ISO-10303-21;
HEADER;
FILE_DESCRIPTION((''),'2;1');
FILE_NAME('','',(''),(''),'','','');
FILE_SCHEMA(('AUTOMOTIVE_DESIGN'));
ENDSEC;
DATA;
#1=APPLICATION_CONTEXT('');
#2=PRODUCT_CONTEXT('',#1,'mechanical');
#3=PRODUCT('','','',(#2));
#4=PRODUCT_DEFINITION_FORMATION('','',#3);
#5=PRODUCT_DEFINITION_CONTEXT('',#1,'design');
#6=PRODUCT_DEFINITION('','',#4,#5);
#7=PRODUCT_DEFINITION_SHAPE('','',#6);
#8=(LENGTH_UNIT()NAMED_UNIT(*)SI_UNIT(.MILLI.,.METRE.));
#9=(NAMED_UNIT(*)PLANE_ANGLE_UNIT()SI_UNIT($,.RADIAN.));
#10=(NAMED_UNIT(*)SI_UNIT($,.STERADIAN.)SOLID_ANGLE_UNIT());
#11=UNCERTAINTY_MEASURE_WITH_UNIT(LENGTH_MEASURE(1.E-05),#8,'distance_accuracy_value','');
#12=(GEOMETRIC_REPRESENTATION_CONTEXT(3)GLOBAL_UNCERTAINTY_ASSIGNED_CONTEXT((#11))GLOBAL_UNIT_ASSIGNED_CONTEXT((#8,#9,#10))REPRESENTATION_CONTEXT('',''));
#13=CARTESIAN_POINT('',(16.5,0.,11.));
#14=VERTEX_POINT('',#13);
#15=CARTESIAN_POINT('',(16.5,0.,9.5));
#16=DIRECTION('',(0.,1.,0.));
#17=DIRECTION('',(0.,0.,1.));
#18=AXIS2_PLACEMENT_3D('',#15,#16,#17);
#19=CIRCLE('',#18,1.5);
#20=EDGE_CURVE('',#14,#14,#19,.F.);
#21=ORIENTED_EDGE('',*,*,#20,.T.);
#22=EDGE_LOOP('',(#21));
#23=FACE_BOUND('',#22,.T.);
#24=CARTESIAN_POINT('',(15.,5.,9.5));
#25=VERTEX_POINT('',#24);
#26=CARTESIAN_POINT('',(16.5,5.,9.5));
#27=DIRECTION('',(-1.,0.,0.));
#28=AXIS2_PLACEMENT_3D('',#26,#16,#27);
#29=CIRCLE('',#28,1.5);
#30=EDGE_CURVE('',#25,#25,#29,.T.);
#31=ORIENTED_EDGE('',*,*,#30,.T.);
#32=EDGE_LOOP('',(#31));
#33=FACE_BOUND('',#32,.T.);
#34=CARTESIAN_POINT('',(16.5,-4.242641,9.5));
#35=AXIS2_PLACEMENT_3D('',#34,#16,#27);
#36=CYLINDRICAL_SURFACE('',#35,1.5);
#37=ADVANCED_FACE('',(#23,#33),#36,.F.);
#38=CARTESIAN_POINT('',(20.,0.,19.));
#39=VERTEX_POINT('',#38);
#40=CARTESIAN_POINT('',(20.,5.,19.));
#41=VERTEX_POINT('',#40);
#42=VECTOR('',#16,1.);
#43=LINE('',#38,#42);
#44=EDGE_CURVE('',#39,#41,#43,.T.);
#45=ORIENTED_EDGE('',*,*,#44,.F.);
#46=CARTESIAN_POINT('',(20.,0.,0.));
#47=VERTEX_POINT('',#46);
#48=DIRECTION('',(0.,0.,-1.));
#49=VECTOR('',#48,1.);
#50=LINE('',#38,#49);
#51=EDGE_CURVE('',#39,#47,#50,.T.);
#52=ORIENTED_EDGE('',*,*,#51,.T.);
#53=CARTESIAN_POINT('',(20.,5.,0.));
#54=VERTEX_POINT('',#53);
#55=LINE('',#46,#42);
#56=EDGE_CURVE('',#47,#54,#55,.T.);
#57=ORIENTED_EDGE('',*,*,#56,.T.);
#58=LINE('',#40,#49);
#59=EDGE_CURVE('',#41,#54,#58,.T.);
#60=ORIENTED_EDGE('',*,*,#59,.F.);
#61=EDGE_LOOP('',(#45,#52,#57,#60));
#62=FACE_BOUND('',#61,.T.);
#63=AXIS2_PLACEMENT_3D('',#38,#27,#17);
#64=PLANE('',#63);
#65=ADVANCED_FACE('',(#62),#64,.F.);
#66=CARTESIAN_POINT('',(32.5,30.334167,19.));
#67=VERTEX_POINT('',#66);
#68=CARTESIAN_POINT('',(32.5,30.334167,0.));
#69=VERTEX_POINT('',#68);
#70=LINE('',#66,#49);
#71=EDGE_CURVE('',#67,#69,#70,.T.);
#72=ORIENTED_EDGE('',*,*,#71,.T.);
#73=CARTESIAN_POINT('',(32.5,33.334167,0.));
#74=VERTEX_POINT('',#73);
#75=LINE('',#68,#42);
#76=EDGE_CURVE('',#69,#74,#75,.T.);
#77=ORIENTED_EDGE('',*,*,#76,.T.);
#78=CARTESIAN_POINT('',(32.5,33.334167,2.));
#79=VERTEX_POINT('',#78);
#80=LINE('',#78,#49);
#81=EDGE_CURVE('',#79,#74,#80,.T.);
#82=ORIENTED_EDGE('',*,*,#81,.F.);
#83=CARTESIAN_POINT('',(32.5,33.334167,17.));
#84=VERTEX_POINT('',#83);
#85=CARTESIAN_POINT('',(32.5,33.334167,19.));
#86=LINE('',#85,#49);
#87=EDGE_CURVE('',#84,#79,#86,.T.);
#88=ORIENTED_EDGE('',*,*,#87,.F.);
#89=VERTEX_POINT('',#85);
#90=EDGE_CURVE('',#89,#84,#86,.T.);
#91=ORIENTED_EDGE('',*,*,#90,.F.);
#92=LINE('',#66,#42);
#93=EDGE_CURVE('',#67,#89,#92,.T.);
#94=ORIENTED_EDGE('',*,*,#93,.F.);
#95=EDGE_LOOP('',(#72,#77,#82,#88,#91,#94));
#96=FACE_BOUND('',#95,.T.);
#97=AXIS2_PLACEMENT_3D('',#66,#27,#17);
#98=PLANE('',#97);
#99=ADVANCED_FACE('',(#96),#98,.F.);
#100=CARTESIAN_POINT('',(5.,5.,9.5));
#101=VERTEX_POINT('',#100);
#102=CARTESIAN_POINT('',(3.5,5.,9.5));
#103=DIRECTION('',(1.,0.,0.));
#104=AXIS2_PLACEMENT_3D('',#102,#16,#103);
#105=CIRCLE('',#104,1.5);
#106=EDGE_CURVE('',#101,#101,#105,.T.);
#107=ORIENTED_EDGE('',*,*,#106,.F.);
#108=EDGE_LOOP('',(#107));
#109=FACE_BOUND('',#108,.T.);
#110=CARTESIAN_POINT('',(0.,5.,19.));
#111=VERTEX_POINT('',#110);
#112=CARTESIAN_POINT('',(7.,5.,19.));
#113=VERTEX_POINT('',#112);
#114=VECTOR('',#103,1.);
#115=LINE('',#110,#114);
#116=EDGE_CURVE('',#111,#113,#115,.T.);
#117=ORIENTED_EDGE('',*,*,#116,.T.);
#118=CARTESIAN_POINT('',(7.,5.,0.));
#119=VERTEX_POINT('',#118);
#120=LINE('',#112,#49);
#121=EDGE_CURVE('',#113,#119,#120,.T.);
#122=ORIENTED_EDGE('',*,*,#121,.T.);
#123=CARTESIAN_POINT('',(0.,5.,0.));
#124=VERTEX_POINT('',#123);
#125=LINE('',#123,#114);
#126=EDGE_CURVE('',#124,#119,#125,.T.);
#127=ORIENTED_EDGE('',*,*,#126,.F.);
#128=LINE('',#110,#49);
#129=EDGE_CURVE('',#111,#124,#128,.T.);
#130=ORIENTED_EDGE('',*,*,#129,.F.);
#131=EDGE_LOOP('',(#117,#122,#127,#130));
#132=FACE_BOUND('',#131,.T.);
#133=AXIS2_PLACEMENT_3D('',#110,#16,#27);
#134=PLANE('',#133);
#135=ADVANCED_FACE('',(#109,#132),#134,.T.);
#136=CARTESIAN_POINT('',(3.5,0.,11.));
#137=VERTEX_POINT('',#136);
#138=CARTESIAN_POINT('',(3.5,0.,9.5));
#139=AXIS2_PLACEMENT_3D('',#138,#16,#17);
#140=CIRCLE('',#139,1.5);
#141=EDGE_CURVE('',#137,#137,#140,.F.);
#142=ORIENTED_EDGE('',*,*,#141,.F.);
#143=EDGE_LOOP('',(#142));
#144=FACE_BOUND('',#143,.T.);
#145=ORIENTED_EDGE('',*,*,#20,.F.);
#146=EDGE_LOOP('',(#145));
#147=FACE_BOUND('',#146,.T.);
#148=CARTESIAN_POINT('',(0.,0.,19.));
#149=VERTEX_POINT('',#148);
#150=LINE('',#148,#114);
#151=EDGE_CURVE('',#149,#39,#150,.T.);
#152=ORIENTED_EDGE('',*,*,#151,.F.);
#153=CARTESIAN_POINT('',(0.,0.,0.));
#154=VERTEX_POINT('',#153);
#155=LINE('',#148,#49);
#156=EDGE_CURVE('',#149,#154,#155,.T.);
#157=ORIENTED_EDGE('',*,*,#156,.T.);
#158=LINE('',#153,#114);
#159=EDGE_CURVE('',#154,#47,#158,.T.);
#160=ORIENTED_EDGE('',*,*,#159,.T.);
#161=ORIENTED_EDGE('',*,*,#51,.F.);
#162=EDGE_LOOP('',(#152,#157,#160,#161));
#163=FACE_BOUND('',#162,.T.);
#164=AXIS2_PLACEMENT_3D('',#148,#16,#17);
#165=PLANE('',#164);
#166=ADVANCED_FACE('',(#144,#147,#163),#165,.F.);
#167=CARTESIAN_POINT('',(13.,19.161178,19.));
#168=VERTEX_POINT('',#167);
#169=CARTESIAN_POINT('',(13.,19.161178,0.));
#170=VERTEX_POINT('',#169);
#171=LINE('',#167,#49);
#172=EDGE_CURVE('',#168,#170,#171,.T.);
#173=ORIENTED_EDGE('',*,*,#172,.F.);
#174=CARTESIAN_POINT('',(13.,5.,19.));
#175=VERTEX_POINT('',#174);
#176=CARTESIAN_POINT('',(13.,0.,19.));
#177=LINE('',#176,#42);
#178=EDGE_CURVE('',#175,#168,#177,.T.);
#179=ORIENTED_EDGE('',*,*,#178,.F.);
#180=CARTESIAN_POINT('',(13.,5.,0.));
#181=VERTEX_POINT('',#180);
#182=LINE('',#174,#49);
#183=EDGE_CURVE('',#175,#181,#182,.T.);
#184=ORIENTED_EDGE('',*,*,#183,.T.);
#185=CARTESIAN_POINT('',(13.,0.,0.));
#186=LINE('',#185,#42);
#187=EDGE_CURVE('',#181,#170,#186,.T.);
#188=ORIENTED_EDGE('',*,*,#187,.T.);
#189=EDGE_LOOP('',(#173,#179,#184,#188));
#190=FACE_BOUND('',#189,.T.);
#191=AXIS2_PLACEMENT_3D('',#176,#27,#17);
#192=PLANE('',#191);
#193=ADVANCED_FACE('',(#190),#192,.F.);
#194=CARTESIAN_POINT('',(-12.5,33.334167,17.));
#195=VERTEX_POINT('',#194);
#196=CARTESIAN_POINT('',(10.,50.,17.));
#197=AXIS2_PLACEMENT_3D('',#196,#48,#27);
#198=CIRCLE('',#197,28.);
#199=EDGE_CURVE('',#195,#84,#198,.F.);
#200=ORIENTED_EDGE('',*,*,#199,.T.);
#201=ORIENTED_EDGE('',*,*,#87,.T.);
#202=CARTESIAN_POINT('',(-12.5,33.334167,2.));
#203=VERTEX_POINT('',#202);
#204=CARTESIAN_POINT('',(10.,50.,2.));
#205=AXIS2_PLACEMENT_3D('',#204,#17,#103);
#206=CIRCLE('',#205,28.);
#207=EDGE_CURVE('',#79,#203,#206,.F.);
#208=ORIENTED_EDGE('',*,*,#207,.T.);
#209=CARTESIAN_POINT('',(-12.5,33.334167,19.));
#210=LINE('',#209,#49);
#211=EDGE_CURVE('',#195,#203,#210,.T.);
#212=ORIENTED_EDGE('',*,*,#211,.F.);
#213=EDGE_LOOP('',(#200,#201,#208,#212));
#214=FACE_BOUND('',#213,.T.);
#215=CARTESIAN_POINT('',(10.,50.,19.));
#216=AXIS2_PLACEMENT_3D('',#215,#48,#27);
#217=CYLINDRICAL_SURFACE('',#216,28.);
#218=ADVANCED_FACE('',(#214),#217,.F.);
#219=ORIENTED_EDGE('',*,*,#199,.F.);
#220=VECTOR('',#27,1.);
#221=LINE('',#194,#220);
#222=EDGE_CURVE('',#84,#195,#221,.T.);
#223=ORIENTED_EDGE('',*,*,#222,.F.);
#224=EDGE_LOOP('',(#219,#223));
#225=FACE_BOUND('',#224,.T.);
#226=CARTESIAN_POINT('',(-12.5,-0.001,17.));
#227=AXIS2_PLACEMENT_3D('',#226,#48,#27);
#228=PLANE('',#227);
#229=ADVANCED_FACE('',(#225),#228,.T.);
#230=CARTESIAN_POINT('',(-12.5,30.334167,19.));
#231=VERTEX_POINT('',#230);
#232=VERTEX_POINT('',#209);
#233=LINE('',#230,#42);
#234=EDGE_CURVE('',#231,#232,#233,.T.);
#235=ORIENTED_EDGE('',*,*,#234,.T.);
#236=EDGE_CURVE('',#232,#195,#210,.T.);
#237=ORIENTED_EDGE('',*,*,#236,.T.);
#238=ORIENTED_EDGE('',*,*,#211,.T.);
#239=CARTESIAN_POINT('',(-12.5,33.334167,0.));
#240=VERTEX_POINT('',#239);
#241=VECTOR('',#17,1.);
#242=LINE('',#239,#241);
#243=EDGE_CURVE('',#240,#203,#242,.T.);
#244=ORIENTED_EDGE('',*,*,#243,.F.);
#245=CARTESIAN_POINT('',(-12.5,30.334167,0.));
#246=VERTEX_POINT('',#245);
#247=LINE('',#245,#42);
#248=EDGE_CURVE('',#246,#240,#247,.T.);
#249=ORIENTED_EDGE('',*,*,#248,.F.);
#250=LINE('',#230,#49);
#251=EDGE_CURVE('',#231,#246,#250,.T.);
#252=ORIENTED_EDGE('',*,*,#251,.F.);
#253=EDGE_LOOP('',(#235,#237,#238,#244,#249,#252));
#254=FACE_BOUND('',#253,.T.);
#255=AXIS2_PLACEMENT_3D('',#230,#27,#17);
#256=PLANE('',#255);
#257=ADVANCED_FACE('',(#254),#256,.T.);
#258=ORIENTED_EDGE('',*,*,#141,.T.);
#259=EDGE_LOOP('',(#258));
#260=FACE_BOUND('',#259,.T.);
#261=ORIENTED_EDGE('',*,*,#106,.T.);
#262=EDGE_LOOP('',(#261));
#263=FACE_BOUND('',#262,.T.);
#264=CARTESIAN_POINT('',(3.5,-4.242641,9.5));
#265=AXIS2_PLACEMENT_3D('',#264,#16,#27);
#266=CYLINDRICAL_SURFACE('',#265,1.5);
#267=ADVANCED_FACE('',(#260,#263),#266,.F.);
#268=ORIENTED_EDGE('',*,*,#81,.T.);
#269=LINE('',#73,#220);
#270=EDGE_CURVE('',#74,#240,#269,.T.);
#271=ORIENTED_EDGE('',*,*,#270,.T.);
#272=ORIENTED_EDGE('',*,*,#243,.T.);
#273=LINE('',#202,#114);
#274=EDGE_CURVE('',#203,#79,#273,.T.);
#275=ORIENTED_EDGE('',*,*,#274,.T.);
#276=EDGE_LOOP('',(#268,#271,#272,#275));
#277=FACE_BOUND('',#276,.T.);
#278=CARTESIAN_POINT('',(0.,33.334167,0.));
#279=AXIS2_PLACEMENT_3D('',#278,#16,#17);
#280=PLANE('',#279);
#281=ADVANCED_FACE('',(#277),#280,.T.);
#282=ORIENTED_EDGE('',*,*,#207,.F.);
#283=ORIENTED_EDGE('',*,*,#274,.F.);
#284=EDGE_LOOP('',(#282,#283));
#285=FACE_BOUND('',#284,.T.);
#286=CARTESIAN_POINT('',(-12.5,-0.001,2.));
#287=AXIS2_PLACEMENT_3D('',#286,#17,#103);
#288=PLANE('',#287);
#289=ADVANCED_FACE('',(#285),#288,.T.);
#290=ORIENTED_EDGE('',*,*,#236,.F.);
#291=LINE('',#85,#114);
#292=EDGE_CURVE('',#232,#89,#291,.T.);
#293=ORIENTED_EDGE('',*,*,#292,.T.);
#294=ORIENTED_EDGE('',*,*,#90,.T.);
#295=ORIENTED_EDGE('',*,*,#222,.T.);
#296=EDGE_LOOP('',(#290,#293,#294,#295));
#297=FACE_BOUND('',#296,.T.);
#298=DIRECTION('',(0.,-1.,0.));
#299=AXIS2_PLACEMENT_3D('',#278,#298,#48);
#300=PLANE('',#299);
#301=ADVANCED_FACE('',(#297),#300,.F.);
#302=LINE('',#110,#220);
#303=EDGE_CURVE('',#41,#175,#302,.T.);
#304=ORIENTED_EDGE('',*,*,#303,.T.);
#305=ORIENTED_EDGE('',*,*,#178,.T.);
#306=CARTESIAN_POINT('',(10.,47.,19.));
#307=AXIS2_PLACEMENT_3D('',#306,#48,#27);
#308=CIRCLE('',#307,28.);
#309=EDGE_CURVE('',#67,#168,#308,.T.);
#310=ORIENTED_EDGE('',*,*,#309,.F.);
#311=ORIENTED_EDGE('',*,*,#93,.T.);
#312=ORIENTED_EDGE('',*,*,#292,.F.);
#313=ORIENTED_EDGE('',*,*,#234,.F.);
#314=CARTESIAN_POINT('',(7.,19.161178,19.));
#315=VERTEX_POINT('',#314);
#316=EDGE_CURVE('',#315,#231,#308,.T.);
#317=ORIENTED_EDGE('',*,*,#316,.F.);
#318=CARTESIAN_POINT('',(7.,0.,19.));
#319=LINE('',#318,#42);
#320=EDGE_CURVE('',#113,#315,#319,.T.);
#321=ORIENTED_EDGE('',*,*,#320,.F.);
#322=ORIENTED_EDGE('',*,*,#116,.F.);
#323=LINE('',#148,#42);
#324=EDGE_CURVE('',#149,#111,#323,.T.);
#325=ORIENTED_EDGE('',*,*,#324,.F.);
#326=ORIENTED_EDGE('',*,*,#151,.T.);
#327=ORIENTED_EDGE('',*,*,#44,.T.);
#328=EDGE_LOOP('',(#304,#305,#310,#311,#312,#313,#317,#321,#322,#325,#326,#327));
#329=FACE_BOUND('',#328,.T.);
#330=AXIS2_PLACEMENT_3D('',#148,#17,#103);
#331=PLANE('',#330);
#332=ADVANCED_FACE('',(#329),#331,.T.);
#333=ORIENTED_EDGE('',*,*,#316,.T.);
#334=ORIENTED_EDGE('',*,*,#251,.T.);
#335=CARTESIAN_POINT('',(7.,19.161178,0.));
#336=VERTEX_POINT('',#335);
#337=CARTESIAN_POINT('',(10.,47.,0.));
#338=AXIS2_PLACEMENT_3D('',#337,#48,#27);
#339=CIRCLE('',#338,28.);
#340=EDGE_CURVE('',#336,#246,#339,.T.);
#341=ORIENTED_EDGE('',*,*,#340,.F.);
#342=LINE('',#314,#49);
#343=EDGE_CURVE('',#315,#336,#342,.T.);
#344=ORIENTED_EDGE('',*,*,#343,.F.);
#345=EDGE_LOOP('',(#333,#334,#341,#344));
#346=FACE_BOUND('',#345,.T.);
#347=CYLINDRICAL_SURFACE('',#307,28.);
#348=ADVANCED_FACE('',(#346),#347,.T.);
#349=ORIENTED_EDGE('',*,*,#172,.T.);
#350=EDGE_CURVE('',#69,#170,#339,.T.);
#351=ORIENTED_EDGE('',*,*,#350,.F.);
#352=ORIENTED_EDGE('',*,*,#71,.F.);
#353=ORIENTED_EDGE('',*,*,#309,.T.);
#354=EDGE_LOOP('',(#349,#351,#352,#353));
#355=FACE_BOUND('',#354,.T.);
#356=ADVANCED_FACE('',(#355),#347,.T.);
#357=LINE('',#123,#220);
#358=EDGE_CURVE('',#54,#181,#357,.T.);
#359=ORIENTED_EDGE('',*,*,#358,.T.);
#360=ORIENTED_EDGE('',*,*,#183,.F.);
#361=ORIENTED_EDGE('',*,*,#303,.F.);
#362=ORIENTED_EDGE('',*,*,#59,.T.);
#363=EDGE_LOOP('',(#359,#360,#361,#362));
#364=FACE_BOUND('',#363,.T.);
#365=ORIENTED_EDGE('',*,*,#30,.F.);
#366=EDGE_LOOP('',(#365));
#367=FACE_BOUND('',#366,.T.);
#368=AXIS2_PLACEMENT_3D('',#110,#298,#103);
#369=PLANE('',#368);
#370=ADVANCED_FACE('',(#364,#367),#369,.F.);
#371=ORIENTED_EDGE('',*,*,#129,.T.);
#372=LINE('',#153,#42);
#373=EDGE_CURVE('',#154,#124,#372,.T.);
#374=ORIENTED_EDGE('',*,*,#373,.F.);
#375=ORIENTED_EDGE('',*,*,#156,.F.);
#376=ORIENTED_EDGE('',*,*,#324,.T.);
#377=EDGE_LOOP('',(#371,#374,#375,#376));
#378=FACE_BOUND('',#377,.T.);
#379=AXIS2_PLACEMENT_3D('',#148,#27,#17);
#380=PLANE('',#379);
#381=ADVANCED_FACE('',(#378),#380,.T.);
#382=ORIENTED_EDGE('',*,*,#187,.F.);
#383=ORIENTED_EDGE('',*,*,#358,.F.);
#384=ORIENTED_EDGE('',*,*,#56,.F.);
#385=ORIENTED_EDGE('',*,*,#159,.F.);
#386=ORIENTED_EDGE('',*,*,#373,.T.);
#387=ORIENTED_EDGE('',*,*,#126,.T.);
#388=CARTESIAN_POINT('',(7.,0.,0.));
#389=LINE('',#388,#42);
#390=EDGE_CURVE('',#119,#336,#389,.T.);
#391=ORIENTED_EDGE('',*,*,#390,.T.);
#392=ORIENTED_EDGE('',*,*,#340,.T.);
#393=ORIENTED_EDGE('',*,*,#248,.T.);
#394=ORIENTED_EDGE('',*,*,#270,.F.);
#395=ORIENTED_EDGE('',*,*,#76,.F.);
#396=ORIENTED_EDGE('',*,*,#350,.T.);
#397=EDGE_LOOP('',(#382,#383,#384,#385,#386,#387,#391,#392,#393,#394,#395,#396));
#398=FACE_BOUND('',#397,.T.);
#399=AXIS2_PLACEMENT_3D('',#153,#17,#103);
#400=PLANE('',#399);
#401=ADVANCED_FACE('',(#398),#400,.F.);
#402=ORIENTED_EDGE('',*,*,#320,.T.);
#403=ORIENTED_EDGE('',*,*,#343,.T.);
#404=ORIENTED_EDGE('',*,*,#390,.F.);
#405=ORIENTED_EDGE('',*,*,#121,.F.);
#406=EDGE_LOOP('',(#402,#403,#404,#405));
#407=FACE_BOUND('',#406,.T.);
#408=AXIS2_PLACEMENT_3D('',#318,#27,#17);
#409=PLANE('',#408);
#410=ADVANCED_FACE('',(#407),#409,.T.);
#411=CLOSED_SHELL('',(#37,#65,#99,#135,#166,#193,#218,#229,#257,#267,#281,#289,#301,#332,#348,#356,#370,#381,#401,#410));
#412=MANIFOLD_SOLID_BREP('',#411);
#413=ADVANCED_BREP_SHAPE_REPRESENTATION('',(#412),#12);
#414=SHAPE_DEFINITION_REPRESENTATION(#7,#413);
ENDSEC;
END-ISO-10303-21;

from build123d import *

# Parameters (mm, degrees)
BOSS_EXTRUDE1_DEPTH = 19
BOSS_EXTRUDE2_REACH = 52.283
SKETCH2_W           = 45
SKETCH2_H           = 2
SKETCH3_R           = 1.5
CUT_EXTRUDE1_DEPTH  = 5


with BuildPart() as part:
    # Sketch1 → Boss-Extrude1 (new body)
    with BuildSketch(Plane.XY):
        with BuildLine():
            Line((0, 5), (0, 0))
            Line((0, 0), (20, 0))
            Line((20, 0), (20, 5))
            Line((20, 5), (13, 5))
            Line((13, 5), (13, 19.161178186))
            ThreePointArc((13, 19.161178186), (23.920180244, 22.705379567), (32.5, 30.334166688))
            Line((32.5, 30.334166688), (32.5, 33.334166688))
            ThreePointArc((32.5, 33.334166688), (10, 22), (-12.5, 33.334166688))
            Line((-12.5, 33.334166688), (-12.5, 30.334166688))
            ThreePointArc((-12.5, 30.334166688), (-3.920180244, 22.705379567), (7, 19.161178186))
            Line((7, 19.161178186), (7, 5))
            Line((7, 5), (0, 5))
        make_face()
    extrude(amount=BOSS_EXTRUDE1_DEPTH)

    # Sketch2 → Boss-Extrude2 (add, up to next)
    with BuildSketch(Plane(origin=(0, 33.334166688, 0), x_dir=(1, 0, 0), z_dir=(0, 1, 0)), mode=Mode.PRIVATE) as boss_extrude2_sk1:
        with Locations((10, -18)):
            Rectangle(SKETCH2_W, SKETCH2_H)
    boss_extrude2_tool1 = extrude(boss_extrude2_sk1.sketch, amount=-BOSS_EXTRUDE2_REACH, mode=Mode.PRIVATE) - part.part
    # Sketch2 → Boss-Extrude2 (add, up to next)
    with BuildSketch(Plane(origin=(0, 33.334166688, 0), x_dir=(1, 0, 0), z_dir=(0, 1, 0)), mode=Mode.PRIVATE) as boss_extrude2_sk2:
        with Locations((10, -1)):
            Rectangle(SKETCH2_W, SKETCH2_H)
    boss_extrude2_tool2 = extrude(boss_extrude2_sk2.sketch, amount=-BOSS_EXTRUDE2_REACH, mode=Mode.PRIVATE) - part.part
    add(boss_extrude2_tool1.solids().sort_by_distance((10, 33.334167, 18))[0])
    add(boss_extrude2_tool2.solids().sort_by_distance((10, 33.334167, 1))[0])

    # Sketch3 → Cut-Extrude1 (cut)
    with BuildSketch(Plane(origin=(0, 5, 0), x_dir=(1, 0, 0), z_dir=(0, 1, 0))):
        with Locations(Location((16.5, -9.5, 0), (0, 0, 180))):
            Circle(SKETCH3_R)
        with Locations(Location((3.5, -9.5, 0), (0, 0, 270))):
            Circle(SKETCH3_R)
    extrude(amount=-CUT_EXTRUDE1_DEPTH, mode=Mode.SUBTRACT)


solid = part.part
